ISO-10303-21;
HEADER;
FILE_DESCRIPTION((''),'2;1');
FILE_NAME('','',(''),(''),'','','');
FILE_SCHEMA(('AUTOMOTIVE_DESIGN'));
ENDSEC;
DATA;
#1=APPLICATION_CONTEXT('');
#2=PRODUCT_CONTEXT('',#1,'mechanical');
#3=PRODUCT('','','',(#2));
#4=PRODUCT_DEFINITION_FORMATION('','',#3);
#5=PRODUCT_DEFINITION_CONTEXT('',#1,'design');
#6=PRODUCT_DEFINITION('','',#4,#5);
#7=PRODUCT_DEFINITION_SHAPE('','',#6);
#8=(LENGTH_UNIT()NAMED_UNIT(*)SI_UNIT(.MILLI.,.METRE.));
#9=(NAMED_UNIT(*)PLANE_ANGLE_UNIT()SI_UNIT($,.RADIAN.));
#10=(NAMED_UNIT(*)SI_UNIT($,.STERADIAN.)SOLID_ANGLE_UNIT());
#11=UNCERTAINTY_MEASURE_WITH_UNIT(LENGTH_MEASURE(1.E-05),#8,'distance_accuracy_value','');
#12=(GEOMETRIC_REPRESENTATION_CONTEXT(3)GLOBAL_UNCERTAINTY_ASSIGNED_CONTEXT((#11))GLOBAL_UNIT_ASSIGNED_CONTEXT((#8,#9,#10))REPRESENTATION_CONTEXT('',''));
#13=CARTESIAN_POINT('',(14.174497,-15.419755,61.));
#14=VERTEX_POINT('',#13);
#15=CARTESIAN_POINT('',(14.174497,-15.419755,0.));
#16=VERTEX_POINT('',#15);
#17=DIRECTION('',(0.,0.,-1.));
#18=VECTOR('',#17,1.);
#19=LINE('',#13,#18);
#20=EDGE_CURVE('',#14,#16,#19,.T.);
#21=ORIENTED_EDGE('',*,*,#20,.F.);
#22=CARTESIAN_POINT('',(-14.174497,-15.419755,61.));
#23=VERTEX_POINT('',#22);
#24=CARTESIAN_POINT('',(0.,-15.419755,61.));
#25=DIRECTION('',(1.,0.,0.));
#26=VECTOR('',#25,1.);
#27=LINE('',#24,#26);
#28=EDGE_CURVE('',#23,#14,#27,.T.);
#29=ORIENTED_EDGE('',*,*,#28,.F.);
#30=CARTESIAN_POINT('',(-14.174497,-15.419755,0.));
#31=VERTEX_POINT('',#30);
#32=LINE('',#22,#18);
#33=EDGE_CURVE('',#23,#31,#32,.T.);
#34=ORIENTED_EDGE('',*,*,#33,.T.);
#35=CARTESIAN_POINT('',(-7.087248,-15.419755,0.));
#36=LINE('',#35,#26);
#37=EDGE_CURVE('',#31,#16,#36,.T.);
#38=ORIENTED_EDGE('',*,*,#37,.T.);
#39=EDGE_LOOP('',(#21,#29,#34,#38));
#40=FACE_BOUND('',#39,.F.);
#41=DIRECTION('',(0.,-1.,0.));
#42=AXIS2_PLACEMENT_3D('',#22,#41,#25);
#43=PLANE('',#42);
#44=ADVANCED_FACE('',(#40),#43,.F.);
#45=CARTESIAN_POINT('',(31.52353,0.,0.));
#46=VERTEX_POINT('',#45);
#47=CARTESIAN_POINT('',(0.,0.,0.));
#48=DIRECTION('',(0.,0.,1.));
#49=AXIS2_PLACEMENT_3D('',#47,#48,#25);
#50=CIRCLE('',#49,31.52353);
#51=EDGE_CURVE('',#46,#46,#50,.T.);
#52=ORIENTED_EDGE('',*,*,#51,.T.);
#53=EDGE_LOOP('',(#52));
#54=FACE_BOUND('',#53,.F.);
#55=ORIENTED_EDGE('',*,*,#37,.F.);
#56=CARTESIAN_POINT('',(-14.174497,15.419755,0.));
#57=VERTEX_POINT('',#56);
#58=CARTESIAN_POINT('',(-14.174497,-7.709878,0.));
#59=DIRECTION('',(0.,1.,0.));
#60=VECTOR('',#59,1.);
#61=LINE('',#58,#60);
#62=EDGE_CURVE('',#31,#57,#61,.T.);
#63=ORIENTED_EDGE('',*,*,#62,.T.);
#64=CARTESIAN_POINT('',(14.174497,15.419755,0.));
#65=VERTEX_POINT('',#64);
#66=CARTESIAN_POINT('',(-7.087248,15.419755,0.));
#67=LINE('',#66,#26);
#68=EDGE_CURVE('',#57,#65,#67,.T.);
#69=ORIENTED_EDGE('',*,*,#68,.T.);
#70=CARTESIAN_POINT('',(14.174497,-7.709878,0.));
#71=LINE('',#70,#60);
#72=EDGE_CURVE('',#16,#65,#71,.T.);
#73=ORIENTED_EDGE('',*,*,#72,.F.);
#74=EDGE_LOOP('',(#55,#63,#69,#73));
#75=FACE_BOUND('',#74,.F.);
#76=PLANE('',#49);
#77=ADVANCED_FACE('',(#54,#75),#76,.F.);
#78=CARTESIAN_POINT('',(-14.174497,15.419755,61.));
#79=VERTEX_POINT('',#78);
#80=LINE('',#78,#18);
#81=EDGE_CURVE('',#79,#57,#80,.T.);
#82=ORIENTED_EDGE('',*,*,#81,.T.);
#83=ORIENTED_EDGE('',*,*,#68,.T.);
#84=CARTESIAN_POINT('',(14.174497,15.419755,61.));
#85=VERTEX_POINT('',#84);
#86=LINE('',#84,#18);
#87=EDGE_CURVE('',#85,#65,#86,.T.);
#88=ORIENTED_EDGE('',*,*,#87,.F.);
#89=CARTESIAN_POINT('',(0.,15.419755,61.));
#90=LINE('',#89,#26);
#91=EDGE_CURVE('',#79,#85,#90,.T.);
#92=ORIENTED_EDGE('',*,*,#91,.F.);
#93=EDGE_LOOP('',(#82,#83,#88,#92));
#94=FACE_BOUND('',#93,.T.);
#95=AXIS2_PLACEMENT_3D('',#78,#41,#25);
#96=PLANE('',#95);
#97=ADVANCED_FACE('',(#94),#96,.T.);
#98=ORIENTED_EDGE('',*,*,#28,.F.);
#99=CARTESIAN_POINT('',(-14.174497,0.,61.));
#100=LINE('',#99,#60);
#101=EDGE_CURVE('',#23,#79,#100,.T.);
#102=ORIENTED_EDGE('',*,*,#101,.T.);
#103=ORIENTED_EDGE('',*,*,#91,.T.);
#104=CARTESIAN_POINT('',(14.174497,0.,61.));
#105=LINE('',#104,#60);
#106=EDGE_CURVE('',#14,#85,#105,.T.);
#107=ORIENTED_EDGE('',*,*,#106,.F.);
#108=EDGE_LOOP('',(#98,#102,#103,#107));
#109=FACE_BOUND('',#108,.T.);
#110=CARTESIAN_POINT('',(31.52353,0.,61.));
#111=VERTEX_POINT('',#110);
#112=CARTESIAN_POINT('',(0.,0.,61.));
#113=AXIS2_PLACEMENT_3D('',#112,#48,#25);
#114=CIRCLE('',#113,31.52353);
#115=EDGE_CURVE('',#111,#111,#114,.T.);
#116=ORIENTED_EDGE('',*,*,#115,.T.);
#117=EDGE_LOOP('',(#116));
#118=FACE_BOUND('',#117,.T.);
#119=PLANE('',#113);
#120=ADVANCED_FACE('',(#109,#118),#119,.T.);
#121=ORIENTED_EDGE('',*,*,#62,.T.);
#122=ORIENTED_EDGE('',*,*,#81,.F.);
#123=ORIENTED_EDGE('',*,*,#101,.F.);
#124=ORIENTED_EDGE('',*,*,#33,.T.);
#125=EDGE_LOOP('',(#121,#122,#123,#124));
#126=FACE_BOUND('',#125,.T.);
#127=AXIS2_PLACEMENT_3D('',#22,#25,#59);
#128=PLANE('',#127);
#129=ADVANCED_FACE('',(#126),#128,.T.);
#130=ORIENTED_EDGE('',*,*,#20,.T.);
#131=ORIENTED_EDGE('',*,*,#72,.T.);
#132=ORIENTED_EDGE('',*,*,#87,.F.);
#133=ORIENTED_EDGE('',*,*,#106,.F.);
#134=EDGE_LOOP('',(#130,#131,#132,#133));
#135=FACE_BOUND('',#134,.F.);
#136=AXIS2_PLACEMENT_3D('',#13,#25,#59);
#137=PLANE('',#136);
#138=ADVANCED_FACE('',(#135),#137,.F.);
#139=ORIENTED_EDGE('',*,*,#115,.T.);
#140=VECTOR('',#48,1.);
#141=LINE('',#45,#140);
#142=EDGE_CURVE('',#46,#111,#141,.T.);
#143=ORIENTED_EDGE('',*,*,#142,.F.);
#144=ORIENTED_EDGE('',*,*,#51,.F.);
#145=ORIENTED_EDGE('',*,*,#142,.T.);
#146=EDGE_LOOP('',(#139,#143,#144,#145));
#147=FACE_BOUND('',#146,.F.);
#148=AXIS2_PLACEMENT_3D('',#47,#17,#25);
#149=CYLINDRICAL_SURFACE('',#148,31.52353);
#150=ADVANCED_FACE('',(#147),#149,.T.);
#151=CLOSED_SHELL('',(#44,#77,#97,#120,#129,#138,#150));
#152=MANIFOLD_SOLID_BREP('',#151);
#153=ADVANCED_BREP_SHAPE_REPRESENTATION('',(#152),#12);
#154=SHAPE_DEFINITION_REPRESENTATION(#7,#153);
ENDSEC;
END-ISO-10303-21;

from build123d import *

# Parameters (mm, degrees)
F0_R     = 31.5235304599
F1_DEPTH = 25
F3_DEPTH = 61
F4_W     = 28.34899351
F4_H     = 30.839510262
F5_DEPTH = 75


with BuildPart() as f1:
    # F0 (on Top) → F1 (new body)
    with BuildSketch(Plane.XY):
        Circle(F0_R)
    extrude(amount=F1_DEPTH)


with BuildPart() as f3:
    # F0 (on Top) → F3 (new body)
    with BuildSketch(Plane.XY):
        Circle(F0_R)
    extrude(amount=F3_DEPTH)

    # F4 (on face) → F5 (cut)
    with BuildSketch(Plane.XY.offset(61)):
        Rectangle(F4_W, F4_H)
    extrude(amount=-F5_DEPTH, mode=Mode.SUBTRACT)


solid = f3.part
